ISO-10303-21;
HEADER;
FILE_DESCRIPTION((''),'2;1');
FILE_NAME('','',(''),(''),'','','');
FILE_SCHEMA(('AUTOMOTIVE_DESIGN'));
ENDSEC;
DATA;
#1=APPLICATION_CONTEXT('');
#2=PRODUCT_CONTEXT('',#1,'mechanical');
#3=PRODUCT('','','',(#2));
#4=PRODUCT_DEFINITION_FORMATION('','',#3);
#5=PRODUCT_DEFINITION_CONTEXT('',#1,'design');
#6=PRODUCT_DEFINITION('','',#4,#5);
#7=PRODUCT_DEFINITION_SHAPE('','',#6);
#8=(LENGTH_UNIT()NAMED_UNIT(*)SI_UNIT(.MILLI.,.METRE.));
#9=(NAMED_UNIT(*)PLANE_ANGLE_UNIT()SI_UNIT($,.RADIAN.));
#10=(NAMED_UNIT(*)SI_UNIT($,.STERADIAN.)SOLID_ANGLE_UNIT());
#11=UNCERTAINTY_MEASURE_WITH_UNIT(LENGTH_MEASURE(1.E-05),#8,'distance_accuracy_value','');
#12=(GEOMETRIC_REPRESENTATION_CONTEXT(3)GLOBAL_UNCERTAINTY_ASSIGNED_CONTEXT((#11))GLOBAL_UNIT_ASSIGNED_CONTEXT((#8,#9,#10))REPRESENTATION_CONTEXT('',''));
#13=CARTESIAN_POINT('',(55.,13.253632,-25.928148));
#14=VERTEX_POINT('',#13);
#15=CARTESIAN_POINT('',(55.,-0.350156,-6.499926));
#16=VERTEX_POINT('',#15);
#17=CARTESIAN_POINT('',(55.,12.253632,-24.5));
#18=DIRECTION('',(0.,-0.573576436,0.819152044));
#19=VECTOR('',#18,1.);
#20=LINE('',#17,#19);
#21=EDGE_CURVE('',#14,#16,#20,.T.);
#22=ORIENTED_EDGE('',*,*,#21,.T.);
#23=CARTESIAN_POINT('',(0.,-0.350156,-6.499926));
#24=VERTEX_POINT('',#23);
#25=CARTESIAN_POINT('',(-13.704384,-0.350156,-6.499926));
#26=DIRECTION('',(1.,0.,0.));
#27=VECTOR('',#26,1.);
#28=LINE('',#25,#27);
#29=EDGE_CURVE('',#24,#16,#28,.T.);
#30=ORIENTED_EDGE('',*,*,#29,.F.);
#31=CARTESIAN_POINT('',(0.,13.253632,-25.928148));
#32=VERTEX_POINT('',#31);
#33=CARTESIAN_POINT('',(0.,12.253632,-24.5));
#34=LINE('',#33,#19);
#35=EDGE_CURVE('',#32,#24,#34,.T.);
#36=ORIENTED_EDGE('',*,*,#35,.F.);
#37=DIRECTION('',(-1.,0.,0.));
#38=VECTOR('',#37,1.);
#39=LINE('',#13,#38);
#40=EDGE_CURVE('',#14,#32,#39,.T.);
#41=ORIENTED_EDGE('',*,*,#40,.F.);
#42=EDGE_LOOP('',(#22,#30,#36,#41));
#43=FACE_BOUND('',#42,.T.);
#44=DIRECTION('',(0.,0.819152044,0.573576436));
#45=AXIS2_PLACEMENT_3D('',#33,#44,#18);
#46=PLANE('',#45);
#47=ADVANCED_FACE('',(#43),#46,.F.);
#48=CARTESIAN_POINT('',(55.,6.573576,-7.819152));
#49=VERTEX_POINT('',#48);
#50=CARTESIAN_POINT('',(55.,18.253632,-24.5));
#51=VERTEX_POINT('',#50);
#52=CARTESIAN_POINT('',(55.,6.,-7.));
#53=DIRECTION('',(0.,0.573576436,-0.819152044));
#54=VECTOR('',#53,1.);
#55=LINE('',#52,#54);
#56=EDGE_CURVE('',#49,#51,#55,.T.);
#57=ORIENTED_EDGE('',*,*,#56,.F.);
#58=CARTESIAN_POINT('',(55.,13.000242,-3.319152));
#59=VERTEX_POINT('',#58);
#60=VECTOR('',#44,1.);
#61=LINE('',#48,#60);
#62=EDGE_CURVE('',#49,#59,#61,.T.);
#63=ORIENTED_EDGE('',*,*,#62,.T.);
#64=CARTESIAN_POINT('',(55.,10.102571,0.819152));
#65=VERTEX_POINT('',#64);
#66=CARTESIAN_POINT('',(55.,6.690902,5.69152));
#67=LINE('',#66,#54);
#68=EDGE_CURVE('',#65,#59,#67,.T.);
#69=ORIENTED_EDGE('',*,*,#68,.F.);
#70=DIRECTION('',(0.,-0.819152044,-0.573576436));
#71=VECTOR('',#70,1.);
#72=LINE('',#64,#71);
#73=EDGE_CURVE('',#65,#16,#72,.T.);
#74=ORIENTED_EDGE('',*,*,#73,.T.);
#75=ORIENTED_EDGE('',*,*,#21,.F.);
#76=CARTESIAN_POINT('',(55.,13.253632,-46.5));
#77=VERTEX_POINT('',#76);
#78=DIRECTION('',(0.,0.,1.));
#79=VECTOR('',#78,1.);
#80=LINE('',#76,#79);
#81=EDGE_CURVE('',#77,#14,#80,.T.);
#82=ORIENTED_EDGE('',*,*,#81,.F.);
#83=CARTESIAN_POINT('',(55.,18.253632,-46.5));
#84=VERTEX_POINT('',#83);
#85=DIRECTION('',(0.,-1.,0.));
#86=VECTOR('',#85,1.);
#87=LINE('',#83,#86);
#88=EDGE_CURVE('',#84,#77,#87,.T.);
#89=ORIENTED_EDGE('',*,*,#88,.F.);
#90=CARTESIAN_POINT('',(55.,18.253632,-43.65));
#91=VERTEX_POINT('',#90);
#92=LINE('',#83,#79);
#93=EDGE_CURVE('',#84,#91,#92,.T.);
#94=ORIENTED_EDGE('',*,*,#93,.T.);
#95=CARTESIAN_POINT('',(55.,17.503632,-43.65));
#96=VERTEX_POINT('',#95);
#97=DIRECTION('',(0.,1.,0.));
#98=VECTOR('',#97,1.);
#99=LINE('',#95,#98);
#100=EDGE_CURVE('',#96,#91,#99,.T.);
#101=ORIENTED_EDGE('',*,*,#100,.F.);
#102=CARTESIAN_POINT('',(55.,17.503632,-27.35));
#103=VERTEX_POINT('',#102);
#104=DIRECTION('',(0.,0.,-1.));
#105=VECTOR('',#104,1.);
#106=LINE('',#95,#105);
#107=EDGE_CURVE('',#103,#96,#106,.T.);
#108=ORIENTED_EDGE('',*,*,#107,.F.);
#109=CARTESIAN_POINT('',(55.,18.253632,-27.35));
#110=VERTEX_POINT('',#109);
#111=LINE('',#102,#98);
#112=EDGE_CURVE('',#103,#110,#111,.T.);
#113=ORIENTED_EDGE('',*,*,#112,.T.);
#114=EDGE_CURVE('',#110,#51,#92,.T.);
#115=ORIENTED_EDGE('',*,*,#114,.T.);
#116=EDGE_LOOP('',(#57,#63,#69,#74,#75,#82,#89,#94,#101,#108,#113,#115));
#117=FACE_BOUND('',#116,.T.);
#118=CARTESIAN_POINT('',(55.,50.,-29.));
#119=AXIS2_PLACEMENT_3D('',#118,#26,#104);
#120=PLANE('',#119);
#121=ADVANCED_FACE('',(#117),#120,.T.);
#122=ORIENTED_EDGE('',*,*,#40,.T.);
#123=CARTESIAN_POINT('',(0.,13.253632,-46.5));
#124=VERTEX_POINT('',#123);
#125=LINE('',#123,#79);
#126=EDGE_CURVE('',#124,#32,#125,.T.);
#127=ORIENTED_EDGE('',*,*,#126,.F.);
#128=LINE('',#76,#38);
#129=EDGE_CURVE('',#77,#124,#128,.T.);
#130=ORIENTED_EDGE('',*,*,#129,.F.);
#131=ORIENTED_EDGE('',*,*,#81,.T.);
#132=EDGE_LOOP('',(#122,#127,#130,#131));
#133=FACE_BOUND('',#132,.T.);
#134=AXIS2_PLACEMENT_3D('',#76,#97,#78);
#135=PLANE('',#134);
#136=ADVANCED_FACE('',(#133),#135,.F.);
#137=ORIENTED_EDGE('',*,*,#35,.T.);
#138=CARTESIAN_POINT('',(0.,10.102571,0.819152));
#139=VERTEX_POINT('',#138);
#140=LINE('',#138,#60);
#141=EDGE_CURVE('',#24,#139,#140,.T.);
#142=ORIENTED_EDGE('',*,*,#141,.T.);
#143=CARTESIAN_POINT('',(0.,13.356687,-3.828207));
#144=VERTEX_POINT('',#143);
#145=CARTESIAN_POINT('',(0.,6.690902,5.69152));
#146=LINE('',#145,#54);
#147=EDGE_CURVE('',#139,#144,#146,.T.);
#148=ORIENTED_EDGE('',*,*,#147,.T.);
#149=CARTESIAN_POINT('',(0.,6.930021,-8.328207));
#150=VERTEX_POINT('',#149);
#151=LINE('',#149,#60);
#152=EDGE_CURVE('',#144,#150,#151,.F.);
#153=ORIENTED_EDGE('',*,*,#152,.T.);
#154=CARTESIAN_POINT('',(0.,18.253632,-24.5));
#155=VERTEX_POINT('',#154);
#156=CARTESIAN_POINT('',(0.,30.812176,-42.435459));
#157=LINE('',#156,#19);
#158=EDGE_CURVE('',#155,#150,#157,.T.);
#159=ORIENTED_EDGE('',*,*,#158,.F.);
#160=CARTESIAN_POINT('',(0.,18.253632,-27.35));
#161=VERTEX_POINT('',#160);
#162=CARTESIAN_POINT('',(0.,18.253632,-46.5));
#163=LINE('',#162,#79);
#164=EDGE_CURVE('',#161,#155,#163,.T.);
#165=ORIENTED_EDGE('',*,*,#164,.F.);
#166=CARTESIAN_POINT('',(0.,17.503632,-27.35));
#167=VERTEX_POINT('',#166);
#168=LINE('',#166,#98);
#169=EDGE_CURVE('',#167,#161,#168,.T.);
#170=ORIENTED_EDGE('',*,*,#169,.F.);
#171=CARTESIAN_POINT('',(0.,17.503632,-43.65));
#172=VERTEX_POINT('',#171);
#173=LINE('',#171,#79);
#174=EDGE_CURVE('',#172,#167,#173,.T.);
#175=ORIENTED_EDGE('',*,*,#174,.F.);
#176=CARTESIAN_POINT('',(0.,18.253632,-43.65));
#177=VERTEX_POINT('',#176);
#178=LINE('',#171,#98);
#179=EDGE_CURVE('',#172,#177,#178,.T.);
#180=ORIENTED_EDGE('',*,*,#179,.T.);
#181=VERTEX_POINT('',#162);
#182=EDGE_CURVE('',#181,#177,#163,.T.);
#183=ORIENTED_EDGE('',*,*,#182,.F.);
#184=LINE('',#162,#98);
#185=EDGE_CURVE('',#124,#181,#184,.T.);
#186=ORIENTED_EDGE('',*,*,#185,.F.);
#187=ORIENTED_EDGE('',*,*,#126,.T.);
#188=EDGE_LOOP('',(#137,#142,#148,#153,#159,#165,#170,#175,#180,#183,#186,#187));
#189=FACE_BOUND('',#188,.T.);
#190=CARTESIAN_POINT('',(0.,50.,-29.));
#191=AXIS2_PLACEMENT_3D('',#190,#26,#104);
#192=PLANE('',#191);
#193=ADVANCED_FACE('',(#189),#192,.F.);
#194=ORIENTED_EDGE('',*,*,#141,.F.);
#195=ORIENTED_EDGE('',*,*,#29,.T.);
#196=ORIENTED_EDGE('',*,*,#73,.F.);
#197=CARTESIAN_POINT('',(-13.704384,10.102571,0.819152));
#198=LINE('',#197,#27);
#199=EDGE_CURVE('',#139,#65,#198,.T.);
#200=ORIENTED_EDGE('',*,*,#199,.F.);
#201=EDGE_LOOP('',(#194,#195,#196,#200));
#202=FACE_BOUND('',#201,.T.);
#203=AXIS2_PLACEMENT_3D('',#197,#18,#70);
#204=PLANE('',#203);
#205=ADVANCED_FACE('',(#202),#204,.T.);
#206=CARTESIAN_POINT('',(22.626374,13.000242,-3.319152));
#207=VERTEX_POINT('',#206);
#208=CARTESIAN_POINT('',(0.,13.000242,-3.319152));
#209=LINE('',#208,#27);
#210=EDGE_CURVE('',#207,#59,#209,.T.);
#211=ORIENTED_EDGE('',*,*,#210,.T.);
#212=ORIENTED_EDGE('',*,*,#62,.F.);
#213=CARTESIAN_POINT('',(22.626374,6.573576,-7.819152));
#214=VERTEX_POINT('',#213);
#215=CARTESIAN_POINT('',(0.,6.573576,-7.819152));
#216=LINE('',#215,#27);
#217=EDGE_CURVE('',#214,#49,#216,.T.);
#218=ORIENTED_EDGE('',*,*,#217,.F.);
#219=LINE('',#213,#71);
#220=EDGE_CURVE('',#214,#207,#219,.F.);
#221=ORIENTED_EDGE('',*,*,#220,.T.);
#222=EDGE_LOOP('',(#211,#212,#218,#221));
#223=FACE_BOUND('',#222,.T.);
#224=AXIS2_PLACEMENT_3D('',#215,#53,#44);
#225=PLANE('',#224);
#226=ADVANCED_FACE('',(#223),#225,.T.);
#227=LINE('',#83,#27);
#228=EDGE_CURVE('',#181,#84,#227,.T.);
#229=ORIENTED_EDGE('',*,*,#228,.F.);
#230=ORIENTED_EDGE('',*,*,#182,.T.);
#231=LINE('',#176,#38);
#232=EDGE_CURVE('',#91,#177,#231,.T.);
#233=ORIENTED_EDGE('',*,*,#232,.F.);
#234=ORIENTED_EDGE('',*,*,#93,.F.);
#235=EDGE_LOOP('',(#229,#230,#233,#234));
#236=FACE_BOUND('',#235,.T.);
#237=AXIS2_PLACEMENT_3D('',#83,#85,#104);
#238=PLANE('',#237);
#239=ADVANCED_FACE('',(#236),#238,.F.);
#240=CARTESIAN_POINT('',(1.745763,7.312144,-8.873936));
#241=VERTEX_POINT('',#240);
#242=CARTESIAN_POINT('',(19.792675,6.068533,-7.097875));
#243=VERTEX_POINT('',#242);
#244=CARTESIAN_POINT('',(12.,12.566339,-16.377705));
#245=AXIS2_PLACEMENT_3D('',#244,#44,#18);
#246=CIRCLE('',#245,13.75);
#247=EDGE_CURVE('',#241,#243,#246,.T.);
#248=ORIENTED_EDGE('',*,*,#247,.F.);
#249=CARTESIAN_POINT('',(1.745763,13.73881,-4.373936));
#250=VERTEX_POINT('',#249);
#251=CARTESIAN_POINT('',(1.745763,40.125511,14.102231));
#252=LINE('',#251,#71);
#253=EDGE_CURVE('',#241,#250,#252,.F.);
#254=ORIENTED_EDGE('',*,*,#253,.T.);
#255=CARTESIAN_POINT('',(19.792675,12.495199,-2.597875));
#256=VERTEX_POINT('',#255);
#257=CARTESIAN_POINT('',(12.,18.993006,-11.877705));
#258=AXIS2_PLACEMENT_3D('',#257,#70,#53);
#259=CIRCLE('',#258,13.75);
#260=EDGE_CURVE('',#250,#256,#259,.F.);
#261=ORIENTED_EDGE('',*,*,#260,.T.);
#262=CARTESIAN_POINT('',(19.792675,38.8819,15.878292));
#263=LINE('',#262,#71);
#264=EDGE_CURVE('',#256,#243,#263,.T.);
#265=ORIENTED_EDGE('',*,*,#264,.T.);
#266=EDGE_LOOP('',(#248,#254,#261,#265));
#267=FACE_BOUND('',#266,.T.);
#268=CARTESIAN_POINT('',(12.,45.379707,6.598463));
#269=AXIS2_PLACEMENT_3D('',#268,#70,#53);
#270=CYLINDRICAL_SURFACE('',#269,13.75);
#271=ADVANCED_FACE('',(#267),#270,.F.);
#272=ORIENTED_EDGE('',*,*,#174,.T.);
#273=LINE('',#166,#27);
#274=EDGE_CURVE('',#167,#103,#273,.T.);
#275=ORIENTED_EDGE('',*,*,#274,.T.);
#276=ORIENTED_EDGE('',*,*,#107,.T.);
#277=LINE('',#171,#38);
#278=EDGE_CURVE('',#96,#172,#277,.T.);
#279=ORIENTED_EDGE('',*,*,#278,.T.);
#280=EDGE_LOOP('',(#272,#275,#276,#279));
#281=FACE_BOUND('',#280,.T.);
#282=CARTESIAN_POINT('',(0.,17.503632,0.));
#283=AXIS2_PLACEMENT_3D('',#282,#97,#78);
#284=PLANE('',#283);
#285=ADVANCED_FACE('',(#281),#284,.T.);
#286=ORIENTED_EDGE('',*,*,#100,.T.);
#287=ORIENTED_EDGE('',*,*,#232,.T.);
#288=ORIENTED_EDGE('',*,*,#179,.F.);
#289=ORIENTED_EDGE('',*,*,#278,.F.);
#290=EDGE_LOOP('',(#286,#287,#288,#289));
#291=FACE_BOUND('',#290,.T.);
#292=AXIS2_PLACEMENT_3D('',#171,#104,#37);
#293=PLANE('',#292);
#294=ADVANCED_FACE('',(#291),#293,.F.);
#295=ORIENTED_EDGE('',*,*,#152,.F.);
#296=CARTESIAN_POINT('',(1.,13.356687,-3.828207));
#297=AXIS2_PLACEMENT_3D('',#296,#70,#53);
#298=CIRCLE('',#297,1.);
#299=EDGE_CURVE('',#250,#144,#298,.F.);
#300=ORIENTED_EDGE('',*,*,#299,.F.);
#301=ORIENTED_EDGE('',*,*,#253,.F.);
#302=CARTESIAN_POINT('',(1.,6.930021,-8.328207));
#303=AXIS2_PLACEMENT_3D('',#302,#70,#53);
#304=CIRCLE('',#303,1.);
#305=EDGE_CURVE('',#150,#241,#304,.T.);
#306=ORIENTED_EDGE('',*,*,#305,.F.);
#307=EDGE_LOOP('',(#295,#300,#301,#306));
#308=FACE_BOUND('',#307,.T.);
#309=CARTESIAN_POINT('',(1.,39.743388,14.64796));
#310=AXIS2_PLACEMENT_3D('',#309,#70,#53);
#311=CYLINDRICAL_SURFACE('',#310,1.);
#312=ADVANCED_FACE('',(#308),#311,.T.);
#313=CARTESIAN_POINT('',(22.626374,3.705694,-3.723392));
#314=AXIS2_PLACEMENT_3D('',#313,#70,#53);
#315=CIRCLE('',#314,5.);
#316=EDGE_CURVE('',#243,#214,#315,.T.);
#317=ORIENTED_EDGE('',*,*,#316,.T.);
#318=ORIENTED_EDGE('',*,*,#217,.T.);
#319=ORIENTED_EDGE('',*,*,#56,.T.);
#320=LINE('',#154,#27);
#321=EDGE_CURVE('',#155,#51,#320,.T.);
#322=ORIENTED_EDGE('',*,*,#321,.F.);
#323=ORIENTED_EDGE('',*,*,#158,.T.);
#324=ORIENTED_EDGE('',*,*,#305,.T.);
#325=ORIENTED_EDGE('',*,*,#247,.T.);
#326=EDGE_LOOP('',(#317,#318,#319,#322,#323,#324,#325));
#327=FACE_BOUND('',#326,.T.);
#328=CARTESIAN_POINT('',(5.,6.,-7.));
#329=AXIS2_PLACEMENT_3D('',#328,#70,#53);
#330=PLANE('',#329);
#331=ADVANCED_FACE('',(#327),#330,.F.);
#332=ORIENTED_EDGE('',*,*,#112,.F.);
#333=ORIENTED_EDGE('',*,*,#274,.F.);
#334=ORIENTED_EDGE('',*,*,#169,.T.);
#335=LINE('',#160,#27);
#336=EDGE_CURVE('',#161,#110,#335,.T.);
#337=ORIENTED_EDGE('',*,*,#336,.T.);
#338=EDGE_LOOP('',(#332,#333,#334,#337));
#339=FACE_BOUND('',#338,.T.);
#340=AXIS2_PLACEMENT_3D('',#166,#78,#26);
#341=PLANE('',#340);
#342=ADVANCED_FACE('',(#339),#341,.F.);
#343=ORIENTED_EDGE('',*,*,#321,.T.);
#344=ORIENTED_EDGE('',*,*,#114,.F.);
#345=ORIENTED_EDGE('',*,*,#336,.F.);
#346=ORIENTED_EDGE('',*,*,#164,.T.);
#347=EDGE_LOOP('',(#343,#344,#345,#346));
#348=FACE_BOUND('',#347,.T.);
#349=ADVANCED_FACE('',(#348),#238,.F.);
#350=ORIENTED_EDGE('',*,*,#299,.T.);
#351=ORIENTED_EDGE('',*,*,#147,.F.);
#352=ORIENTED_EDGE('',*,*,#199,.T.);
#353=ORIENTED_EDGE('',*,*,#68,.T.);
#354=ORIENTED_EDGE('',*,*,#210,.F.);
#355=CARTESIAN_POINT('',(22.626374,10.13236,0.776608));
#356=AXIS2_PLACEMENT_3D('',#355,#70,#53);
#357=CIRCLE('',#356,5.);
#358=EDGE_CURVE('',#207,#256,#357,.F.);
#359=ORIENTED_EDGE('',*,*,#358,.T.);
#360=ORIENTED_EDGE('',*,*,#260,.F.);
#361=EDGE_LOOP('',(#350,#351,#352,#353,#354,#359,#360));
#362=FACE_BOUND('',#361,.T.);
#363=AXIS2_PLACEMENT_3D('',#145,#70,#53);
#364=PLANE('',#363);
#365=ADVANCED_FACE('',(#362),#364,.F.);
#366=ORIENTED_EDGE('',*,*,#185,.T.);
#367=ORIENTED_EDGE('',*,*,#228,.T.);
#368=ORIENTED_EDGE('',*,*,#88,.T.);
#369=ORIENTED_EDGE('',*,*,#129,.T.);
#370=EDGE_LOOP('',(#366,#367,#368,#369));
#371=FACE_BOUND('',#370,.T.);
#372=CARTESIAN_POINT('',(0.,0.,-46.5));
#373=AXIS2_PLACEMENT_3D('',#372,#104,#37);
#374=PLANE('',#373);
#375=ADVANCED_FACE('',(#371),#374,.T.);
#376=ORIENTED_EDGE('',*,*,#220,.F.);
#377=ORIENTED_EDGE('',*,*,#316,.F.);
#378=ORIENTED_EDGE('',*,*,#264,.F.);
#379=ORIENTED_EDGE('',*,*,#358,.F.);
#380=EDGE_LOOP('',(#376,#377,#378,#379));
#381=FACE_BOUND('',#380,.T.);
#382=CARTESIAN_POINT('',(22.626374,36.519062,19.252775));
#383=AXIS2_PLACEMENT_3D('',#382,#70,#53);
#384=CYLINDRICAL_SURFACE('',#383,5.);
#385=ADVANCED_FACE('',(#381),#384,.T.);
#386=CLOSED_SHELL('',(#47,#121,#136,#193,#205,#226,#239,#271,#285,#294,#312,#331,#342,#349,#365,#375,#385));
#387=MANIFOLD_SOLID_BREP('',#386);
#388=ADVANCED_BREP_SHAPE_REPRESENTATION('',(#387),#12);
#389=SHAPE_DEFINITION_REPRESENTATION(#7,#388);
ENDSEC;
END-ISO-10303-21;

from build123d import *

# Parameters (mm, degrees)
SKETCH1_W           = 55
SKETCH1_H           = 29
BOSS_EXTRUDE1_DEPTH = 50
CUT_EXTRUDE1_DEPTH  = 50
CUT_EXTRUDE2_DEPTH  = 80.787217021
BOSS_EXTRUDE2_REACH = 81.787
SKETCH6_R           = 13.75
CUT_EXTRUDE3_DEPTH  = 80.517499699
CUT_EXTRUDE4_DEPTH  = 80.787217021
SKETCH8_R           = 6
CUT_EXTRUDE5_DEPTH  = 66.758310797
CUT_EXTRUDE6_DEPTH  = 66.758310797
SKETCH10_W          = 55
SKETCH10_H          = 4.5
CUT_EXTRUDE7_DEPTH  = 65.80119658
FILLET5_R           = 1
FILLET6_R           = 5
CUT_EXTRUDE8_DEPTH  = 63.916175013
SKETCH17_W          = 55
SKETCH17_H          = 5
BOSS_EXTRUDE4_DEPTH = 22
BOSS_EXTRUDE5_DEPTH = 55
SKETCH19_W          = 55
SKETCH19_H          = 16.3
CUT_EXTRUDE9_DEPTH  = 0.75
BOSS_EXTRUDE6_DEPTH = 55


with BuildPart() as part:
    # Sketch1 → Boss-Extrude1 (new body)
    with BuildSketch(Plane(origin=(0, 0, 0), x_dir=(1, 0, 0), z_dir=(0, 1, 0))):
        with Locations((27.5, 14.5)):
            Rectangle(SKETCH1_W, SKETCH1_H)
    extrude(amount=BOSS_EXTRUDE1_DEPTH)

    # Sketch4 → Cut-Extrude1 (cut)
    with BuildSketch(Plane(origin=(55, 0, 0), x_dir=(0, 0, -1), z_dir=(1, 0, 0))):
        Polygon((-21.678821818, 46.957602214), (19.278780397, 75.636424032), (47.957602214, 34.678821818), (7, 6), align=None)
    extrude(amount=-CUT_EXTRUDE1_DEPTH, mode=Mode.SUBTRACT)

    # Sketch5 → Cut-Extrude2 (cut, through all)
    with BuildSketch(Plane(origin=(55, 0, 0), x_dir=(0, 0, -1), z_dir=(1, 0, 0))):
        Polygon((-11.427284806, 14.88242211), (-3.235764364, 20.618186473), (2.5, 12.42666603), (-5.691520443, 6.690901667), align=None)
    extrude(amount=-CUT_EXTRUDE2_DEPTH, mode=Mode.SUBTRACT)

    # Sketch12 → Boss-Extrude2 (add, up to next)
    with BuildSketch(Plane(origin=(55, 0, 0), x_dir=(0, 0, -1), z_dir=(1, 0, 0)), mode=Mode.PRIVATE) as boss_extrude2_sk1:
        Polygon((2.5, 12.42666603), (7, 6), (7.819152044, 6.573576436), (3.319152044, 13.000242467), align=None)
    boss_extrude2_tool1 = extrude(boss_extrude2_sk1.sketch, amount=-BOSS_EXTRUDE2_REACH, mode=Mode.PRIVATE) - part.part
    add(boss_extrude2_tool1.solids().sort_by_distance((55, 9.500121, -5.159576))[0])

    # Sketch6 → Cut-Extrude3 (cut, through all)
    with BuildSketch(Plane(origin=(0, 0.737136257, 0.516148364), x_dir=(1, 0, 0), z_dir=(0, 0.8191520442889949, 0.5735764363510418))):
        with Locations((12, 20.623586456)):
            Circle(SKETCH6_R)
    extrude(amount=CUT_EXTRUDE3_DEPTH, mode=Mode.SUBTRACT)

    # Sketch7 → Cut-Extrude4 (cut, through all)
    with BuildSketch(Plane(origin=(55, 0, 0), x_dir=(0, 0, -1), z_dir=(1, 0, 0))):
        Polygon((0, 10.676147185), (6.378851002, 15.142666742), (10.878851002, 8.716000711), (85.085630618, 60.676147185), (25.408423261, 60.676147185), (0, 60.676147185), align=None)
    extrude(amount=-CUT_EXTRUDE4_DEPTH, mode=Mode.SUBTRACT)

    # Sketch8 → Cut-Extrude5 (cut, through all)
    with BuildSketch(Plane(origin=(0, 0, 0), x_dir=(1, 0, 0), z_dir=(0, 1, 0))):
        with Locations((25.75, 30.5)):
            Circle(SKETCH8_R)
    extrude(amount=CUT_EXTRUDE5_DEPTH, mode=Mode.SUBTRACT)

    # Sketch9 → Cut-Extrude6 (cut, through all)
    with BuildSketch(Plane(origin=(55, 0, 0), x_dir=(0, 0, -1), z_dir=(1, 0, 0))):
        Polygon((24.5, 18.253631919), (29, 18.253631919), (29, 21.404565841), align=None)
    extrude(amount=-CUT_EXTRUDE6_DEPTH, mode=Mode.SUBTRACT)

    # Sketch10 → Cut-Extrude7 (cut, through all)
    with BuildSketch(Plane(origin=(0, 0, 0), x_dir=(1, 0, 0), z_dir=(0, 1, 0))):
        with Locations((27.5, 26.75)):
            Rectangle(SKETCH10_W, SKETCH10_H)
    extrude(amount=CUT_EXTRUDE7_DEPTH, mode=Mode.SUBTRACT)

    # Fillet5
    fillet5_edges = [part.edges().sort_by_distance(p)[0] for p in [
        (0, 11.929333726, -8.628851002),
    ]]
    fillet(fillet5_edges, radius=FILLET5_R)

    # Fillet6
    fillet6_edges = [part.edges().sort_by_distance(p)[0] for p in [
        (20.938706199, 9.786909452, -5.569152044),
    ]]
    fillet(fillet6_edges, radius=FILLET6_R)

    # Sketch16 → Cut-Extrude8 (cut, through all)
    with BuildSketch(Plane(origin=(55, 0, 0), x_dir=(0, 0, -1), z_dir=(1, 0, 0))):
        Polygon((24.5, 12.253631919), (7.319077862, 0.223420724), (0, 10.676147185), (0, 0), (24.5, 0), align=None)
    extrude(amount=-CUT_EXTRUDE8_DEPTH, mode=Mode.SUBTRACT)

    # Sketch17 → Boss-Extrude4 (add)
    with BuildSketch(Plane(origin=(0, 0, -24.5), x_dir=(-1, 0, 0), z_dir=(0, 0, -1))):
        with Locations((-27.5, 15.753631919)):
            Rectangle(SKETCH17_W, SKETCH17_H)
    extrude(amount=BOSS_EXTRUDE4_DEPTH)

    # Sketch18 → Boss-Extrude5 (add)
    with BuildSketch(Plane(origin=(55, 0, 0), x_dir=(0, 0, -1), z_dir=(1, 0, 0))):
        Polygon((15.909538931, 6.238526322), (33.06888804, 18.253631919), (24.5, 18.253631919), (13.090461069, 10.264586752), align=None)
    extrude(amount=-BOSS_EXTRUDE5_DEPTH)

    # Sketch19 → Cut-Extrude9 (cut)
    with BuildSketch(Plane(origin=(0, 18.253631919, 0), x_dir=(1, 0, 0), z_dir=(0, 1, 0))):
        with Locations((27.5, 35.5)):
            Rectangle(SKETCH19_W, SKETCH19_H)
    extrude(amount=-CUT_EXTRUDE9_DEPTH, mode=Mode.SUBTRACT)

    # Sketch20 → Boss-Extrude6 (add)
    with BuildSketch(Plane(origin=(55, 0, 0), x_dir=(0, 0, -1), z_dir=(1, 0, 0))):
        Polygon((0, 10.676147185), (-0.819152044, 10.102570748), (6.499925818, -0.350155712), (7.319077862, 0.223420724), align=None)
    extrude(amount=-BOSS_EXTRUDE6_DEPTH)


solid = part.part
